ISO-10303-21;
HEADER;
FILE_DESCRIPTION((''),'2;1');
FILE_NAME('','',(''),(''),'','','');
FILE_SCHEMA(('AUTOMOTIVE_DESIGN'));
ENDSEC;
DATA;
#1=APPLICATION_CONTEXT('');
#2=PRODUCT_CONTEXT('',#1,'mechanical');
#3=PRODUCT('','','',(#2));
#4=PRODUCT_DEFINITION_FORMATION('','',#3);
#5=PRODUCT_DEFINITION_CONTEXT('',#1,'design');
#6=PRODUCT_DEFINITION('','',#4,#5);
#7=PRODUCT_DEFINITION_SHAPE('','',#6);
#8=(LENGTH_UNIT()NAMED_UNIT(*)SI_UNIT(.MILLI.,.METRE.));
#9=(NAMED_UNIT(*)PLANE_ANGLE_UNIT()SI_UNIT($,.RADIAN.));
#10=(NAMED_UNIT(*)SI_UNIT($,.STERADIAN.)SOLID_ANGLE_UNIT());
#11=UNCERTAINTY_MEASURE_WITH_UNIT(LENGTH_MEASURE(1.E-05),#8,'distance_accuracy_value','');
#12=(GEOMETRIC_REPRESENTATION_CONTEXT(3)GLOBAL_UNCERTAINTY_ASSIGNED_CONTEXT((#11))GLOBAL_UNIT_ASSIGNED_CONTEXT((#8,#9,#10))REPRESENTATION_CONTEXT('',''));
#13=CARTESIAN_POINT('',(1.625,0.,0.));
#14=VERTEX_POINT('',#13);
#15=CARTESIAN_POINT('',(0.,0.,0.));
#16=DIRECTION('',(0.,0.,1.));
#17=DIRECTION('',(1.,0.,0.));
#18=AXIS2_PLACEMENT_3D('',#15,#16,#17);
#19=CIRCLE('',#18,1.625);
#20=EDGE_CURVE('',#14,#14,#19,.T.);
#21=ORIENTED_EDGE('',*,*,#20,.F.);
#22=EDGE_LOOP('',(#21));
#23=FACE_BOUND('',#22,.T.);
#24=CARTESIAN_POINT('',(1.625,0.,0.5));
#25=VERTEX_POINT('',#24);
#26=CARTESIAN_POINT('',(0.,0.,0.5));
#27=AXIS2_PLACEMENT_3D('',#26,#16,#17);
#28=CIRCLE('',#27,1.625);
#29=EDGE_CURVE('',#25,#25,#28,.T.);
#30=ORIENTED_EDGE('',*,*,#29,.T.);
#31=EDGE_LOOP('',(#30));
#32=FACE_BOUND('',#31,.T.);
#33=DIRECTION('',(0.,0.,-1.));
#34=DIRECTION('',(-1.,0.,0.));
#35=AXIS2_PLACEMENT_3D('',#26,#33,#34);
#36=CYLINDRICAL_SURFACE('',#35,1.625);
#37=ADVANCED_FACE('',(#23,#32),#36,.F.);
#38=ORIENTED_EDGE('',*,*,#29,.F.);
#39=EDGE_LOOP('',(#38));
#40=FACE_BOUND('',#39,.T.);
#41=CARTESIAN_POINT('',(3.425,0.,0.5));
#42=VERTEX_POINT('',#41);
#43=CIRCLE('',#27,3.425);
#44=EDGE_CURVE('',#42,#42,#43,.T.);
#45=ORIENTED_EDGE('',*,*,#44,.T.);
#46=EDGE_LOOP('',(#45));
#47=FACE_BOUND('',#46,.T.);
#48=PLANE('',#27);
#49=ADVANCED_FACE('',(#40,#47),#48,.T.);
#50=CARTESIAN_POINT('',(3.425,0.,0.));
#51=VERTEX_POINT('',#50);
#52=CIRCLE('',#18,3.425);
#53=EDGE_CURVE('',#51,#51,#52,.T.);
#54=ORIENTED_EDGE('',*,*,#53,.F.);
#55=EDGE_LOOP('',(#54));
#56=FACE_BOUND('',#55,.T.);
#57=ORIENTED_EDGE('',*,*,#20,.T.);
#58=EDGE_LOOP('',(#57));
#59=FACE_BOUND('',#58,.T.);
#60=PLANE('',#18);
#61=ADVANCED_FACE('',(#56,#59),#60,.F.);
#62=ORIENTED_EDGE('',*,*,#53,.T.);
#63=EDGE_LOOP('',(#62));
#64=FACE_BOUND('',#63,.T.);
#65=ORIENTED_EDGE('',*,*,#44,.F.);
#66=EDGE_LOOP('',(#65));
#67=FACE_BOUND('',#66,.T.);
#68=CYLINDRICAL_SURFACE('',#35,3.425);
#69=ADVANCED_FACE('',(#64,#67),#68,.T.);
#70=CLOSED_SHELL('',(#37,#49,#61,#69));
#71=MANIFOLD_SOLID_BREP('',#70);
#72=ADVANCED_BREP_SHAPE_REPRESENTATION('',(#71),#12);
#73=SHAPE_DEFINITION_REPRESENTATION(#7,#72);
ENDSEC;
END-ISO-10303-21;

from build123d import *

# Parameters (mm, degrees)
SCHIZZO2_R                   = 3.425
SCHIZZO2_R_2                 = 1.625
ESTRUSIONE_ESTRUSIONE1_DEPTH = 0.5


with BuildPart() as part:
    # Schizzo2 → Estrusione-Estrusione1 (new body)
    with BuildSketch(Plane.XY):
        Circle(SCHIZZO2_R)
        Circle(SCHIZZO2_R_2, mode=Mode.SUBTRACT)
    extrude(amount=ESTRUSIONE_ESTRUSIONE1_DEPTH)


solid = part.part
